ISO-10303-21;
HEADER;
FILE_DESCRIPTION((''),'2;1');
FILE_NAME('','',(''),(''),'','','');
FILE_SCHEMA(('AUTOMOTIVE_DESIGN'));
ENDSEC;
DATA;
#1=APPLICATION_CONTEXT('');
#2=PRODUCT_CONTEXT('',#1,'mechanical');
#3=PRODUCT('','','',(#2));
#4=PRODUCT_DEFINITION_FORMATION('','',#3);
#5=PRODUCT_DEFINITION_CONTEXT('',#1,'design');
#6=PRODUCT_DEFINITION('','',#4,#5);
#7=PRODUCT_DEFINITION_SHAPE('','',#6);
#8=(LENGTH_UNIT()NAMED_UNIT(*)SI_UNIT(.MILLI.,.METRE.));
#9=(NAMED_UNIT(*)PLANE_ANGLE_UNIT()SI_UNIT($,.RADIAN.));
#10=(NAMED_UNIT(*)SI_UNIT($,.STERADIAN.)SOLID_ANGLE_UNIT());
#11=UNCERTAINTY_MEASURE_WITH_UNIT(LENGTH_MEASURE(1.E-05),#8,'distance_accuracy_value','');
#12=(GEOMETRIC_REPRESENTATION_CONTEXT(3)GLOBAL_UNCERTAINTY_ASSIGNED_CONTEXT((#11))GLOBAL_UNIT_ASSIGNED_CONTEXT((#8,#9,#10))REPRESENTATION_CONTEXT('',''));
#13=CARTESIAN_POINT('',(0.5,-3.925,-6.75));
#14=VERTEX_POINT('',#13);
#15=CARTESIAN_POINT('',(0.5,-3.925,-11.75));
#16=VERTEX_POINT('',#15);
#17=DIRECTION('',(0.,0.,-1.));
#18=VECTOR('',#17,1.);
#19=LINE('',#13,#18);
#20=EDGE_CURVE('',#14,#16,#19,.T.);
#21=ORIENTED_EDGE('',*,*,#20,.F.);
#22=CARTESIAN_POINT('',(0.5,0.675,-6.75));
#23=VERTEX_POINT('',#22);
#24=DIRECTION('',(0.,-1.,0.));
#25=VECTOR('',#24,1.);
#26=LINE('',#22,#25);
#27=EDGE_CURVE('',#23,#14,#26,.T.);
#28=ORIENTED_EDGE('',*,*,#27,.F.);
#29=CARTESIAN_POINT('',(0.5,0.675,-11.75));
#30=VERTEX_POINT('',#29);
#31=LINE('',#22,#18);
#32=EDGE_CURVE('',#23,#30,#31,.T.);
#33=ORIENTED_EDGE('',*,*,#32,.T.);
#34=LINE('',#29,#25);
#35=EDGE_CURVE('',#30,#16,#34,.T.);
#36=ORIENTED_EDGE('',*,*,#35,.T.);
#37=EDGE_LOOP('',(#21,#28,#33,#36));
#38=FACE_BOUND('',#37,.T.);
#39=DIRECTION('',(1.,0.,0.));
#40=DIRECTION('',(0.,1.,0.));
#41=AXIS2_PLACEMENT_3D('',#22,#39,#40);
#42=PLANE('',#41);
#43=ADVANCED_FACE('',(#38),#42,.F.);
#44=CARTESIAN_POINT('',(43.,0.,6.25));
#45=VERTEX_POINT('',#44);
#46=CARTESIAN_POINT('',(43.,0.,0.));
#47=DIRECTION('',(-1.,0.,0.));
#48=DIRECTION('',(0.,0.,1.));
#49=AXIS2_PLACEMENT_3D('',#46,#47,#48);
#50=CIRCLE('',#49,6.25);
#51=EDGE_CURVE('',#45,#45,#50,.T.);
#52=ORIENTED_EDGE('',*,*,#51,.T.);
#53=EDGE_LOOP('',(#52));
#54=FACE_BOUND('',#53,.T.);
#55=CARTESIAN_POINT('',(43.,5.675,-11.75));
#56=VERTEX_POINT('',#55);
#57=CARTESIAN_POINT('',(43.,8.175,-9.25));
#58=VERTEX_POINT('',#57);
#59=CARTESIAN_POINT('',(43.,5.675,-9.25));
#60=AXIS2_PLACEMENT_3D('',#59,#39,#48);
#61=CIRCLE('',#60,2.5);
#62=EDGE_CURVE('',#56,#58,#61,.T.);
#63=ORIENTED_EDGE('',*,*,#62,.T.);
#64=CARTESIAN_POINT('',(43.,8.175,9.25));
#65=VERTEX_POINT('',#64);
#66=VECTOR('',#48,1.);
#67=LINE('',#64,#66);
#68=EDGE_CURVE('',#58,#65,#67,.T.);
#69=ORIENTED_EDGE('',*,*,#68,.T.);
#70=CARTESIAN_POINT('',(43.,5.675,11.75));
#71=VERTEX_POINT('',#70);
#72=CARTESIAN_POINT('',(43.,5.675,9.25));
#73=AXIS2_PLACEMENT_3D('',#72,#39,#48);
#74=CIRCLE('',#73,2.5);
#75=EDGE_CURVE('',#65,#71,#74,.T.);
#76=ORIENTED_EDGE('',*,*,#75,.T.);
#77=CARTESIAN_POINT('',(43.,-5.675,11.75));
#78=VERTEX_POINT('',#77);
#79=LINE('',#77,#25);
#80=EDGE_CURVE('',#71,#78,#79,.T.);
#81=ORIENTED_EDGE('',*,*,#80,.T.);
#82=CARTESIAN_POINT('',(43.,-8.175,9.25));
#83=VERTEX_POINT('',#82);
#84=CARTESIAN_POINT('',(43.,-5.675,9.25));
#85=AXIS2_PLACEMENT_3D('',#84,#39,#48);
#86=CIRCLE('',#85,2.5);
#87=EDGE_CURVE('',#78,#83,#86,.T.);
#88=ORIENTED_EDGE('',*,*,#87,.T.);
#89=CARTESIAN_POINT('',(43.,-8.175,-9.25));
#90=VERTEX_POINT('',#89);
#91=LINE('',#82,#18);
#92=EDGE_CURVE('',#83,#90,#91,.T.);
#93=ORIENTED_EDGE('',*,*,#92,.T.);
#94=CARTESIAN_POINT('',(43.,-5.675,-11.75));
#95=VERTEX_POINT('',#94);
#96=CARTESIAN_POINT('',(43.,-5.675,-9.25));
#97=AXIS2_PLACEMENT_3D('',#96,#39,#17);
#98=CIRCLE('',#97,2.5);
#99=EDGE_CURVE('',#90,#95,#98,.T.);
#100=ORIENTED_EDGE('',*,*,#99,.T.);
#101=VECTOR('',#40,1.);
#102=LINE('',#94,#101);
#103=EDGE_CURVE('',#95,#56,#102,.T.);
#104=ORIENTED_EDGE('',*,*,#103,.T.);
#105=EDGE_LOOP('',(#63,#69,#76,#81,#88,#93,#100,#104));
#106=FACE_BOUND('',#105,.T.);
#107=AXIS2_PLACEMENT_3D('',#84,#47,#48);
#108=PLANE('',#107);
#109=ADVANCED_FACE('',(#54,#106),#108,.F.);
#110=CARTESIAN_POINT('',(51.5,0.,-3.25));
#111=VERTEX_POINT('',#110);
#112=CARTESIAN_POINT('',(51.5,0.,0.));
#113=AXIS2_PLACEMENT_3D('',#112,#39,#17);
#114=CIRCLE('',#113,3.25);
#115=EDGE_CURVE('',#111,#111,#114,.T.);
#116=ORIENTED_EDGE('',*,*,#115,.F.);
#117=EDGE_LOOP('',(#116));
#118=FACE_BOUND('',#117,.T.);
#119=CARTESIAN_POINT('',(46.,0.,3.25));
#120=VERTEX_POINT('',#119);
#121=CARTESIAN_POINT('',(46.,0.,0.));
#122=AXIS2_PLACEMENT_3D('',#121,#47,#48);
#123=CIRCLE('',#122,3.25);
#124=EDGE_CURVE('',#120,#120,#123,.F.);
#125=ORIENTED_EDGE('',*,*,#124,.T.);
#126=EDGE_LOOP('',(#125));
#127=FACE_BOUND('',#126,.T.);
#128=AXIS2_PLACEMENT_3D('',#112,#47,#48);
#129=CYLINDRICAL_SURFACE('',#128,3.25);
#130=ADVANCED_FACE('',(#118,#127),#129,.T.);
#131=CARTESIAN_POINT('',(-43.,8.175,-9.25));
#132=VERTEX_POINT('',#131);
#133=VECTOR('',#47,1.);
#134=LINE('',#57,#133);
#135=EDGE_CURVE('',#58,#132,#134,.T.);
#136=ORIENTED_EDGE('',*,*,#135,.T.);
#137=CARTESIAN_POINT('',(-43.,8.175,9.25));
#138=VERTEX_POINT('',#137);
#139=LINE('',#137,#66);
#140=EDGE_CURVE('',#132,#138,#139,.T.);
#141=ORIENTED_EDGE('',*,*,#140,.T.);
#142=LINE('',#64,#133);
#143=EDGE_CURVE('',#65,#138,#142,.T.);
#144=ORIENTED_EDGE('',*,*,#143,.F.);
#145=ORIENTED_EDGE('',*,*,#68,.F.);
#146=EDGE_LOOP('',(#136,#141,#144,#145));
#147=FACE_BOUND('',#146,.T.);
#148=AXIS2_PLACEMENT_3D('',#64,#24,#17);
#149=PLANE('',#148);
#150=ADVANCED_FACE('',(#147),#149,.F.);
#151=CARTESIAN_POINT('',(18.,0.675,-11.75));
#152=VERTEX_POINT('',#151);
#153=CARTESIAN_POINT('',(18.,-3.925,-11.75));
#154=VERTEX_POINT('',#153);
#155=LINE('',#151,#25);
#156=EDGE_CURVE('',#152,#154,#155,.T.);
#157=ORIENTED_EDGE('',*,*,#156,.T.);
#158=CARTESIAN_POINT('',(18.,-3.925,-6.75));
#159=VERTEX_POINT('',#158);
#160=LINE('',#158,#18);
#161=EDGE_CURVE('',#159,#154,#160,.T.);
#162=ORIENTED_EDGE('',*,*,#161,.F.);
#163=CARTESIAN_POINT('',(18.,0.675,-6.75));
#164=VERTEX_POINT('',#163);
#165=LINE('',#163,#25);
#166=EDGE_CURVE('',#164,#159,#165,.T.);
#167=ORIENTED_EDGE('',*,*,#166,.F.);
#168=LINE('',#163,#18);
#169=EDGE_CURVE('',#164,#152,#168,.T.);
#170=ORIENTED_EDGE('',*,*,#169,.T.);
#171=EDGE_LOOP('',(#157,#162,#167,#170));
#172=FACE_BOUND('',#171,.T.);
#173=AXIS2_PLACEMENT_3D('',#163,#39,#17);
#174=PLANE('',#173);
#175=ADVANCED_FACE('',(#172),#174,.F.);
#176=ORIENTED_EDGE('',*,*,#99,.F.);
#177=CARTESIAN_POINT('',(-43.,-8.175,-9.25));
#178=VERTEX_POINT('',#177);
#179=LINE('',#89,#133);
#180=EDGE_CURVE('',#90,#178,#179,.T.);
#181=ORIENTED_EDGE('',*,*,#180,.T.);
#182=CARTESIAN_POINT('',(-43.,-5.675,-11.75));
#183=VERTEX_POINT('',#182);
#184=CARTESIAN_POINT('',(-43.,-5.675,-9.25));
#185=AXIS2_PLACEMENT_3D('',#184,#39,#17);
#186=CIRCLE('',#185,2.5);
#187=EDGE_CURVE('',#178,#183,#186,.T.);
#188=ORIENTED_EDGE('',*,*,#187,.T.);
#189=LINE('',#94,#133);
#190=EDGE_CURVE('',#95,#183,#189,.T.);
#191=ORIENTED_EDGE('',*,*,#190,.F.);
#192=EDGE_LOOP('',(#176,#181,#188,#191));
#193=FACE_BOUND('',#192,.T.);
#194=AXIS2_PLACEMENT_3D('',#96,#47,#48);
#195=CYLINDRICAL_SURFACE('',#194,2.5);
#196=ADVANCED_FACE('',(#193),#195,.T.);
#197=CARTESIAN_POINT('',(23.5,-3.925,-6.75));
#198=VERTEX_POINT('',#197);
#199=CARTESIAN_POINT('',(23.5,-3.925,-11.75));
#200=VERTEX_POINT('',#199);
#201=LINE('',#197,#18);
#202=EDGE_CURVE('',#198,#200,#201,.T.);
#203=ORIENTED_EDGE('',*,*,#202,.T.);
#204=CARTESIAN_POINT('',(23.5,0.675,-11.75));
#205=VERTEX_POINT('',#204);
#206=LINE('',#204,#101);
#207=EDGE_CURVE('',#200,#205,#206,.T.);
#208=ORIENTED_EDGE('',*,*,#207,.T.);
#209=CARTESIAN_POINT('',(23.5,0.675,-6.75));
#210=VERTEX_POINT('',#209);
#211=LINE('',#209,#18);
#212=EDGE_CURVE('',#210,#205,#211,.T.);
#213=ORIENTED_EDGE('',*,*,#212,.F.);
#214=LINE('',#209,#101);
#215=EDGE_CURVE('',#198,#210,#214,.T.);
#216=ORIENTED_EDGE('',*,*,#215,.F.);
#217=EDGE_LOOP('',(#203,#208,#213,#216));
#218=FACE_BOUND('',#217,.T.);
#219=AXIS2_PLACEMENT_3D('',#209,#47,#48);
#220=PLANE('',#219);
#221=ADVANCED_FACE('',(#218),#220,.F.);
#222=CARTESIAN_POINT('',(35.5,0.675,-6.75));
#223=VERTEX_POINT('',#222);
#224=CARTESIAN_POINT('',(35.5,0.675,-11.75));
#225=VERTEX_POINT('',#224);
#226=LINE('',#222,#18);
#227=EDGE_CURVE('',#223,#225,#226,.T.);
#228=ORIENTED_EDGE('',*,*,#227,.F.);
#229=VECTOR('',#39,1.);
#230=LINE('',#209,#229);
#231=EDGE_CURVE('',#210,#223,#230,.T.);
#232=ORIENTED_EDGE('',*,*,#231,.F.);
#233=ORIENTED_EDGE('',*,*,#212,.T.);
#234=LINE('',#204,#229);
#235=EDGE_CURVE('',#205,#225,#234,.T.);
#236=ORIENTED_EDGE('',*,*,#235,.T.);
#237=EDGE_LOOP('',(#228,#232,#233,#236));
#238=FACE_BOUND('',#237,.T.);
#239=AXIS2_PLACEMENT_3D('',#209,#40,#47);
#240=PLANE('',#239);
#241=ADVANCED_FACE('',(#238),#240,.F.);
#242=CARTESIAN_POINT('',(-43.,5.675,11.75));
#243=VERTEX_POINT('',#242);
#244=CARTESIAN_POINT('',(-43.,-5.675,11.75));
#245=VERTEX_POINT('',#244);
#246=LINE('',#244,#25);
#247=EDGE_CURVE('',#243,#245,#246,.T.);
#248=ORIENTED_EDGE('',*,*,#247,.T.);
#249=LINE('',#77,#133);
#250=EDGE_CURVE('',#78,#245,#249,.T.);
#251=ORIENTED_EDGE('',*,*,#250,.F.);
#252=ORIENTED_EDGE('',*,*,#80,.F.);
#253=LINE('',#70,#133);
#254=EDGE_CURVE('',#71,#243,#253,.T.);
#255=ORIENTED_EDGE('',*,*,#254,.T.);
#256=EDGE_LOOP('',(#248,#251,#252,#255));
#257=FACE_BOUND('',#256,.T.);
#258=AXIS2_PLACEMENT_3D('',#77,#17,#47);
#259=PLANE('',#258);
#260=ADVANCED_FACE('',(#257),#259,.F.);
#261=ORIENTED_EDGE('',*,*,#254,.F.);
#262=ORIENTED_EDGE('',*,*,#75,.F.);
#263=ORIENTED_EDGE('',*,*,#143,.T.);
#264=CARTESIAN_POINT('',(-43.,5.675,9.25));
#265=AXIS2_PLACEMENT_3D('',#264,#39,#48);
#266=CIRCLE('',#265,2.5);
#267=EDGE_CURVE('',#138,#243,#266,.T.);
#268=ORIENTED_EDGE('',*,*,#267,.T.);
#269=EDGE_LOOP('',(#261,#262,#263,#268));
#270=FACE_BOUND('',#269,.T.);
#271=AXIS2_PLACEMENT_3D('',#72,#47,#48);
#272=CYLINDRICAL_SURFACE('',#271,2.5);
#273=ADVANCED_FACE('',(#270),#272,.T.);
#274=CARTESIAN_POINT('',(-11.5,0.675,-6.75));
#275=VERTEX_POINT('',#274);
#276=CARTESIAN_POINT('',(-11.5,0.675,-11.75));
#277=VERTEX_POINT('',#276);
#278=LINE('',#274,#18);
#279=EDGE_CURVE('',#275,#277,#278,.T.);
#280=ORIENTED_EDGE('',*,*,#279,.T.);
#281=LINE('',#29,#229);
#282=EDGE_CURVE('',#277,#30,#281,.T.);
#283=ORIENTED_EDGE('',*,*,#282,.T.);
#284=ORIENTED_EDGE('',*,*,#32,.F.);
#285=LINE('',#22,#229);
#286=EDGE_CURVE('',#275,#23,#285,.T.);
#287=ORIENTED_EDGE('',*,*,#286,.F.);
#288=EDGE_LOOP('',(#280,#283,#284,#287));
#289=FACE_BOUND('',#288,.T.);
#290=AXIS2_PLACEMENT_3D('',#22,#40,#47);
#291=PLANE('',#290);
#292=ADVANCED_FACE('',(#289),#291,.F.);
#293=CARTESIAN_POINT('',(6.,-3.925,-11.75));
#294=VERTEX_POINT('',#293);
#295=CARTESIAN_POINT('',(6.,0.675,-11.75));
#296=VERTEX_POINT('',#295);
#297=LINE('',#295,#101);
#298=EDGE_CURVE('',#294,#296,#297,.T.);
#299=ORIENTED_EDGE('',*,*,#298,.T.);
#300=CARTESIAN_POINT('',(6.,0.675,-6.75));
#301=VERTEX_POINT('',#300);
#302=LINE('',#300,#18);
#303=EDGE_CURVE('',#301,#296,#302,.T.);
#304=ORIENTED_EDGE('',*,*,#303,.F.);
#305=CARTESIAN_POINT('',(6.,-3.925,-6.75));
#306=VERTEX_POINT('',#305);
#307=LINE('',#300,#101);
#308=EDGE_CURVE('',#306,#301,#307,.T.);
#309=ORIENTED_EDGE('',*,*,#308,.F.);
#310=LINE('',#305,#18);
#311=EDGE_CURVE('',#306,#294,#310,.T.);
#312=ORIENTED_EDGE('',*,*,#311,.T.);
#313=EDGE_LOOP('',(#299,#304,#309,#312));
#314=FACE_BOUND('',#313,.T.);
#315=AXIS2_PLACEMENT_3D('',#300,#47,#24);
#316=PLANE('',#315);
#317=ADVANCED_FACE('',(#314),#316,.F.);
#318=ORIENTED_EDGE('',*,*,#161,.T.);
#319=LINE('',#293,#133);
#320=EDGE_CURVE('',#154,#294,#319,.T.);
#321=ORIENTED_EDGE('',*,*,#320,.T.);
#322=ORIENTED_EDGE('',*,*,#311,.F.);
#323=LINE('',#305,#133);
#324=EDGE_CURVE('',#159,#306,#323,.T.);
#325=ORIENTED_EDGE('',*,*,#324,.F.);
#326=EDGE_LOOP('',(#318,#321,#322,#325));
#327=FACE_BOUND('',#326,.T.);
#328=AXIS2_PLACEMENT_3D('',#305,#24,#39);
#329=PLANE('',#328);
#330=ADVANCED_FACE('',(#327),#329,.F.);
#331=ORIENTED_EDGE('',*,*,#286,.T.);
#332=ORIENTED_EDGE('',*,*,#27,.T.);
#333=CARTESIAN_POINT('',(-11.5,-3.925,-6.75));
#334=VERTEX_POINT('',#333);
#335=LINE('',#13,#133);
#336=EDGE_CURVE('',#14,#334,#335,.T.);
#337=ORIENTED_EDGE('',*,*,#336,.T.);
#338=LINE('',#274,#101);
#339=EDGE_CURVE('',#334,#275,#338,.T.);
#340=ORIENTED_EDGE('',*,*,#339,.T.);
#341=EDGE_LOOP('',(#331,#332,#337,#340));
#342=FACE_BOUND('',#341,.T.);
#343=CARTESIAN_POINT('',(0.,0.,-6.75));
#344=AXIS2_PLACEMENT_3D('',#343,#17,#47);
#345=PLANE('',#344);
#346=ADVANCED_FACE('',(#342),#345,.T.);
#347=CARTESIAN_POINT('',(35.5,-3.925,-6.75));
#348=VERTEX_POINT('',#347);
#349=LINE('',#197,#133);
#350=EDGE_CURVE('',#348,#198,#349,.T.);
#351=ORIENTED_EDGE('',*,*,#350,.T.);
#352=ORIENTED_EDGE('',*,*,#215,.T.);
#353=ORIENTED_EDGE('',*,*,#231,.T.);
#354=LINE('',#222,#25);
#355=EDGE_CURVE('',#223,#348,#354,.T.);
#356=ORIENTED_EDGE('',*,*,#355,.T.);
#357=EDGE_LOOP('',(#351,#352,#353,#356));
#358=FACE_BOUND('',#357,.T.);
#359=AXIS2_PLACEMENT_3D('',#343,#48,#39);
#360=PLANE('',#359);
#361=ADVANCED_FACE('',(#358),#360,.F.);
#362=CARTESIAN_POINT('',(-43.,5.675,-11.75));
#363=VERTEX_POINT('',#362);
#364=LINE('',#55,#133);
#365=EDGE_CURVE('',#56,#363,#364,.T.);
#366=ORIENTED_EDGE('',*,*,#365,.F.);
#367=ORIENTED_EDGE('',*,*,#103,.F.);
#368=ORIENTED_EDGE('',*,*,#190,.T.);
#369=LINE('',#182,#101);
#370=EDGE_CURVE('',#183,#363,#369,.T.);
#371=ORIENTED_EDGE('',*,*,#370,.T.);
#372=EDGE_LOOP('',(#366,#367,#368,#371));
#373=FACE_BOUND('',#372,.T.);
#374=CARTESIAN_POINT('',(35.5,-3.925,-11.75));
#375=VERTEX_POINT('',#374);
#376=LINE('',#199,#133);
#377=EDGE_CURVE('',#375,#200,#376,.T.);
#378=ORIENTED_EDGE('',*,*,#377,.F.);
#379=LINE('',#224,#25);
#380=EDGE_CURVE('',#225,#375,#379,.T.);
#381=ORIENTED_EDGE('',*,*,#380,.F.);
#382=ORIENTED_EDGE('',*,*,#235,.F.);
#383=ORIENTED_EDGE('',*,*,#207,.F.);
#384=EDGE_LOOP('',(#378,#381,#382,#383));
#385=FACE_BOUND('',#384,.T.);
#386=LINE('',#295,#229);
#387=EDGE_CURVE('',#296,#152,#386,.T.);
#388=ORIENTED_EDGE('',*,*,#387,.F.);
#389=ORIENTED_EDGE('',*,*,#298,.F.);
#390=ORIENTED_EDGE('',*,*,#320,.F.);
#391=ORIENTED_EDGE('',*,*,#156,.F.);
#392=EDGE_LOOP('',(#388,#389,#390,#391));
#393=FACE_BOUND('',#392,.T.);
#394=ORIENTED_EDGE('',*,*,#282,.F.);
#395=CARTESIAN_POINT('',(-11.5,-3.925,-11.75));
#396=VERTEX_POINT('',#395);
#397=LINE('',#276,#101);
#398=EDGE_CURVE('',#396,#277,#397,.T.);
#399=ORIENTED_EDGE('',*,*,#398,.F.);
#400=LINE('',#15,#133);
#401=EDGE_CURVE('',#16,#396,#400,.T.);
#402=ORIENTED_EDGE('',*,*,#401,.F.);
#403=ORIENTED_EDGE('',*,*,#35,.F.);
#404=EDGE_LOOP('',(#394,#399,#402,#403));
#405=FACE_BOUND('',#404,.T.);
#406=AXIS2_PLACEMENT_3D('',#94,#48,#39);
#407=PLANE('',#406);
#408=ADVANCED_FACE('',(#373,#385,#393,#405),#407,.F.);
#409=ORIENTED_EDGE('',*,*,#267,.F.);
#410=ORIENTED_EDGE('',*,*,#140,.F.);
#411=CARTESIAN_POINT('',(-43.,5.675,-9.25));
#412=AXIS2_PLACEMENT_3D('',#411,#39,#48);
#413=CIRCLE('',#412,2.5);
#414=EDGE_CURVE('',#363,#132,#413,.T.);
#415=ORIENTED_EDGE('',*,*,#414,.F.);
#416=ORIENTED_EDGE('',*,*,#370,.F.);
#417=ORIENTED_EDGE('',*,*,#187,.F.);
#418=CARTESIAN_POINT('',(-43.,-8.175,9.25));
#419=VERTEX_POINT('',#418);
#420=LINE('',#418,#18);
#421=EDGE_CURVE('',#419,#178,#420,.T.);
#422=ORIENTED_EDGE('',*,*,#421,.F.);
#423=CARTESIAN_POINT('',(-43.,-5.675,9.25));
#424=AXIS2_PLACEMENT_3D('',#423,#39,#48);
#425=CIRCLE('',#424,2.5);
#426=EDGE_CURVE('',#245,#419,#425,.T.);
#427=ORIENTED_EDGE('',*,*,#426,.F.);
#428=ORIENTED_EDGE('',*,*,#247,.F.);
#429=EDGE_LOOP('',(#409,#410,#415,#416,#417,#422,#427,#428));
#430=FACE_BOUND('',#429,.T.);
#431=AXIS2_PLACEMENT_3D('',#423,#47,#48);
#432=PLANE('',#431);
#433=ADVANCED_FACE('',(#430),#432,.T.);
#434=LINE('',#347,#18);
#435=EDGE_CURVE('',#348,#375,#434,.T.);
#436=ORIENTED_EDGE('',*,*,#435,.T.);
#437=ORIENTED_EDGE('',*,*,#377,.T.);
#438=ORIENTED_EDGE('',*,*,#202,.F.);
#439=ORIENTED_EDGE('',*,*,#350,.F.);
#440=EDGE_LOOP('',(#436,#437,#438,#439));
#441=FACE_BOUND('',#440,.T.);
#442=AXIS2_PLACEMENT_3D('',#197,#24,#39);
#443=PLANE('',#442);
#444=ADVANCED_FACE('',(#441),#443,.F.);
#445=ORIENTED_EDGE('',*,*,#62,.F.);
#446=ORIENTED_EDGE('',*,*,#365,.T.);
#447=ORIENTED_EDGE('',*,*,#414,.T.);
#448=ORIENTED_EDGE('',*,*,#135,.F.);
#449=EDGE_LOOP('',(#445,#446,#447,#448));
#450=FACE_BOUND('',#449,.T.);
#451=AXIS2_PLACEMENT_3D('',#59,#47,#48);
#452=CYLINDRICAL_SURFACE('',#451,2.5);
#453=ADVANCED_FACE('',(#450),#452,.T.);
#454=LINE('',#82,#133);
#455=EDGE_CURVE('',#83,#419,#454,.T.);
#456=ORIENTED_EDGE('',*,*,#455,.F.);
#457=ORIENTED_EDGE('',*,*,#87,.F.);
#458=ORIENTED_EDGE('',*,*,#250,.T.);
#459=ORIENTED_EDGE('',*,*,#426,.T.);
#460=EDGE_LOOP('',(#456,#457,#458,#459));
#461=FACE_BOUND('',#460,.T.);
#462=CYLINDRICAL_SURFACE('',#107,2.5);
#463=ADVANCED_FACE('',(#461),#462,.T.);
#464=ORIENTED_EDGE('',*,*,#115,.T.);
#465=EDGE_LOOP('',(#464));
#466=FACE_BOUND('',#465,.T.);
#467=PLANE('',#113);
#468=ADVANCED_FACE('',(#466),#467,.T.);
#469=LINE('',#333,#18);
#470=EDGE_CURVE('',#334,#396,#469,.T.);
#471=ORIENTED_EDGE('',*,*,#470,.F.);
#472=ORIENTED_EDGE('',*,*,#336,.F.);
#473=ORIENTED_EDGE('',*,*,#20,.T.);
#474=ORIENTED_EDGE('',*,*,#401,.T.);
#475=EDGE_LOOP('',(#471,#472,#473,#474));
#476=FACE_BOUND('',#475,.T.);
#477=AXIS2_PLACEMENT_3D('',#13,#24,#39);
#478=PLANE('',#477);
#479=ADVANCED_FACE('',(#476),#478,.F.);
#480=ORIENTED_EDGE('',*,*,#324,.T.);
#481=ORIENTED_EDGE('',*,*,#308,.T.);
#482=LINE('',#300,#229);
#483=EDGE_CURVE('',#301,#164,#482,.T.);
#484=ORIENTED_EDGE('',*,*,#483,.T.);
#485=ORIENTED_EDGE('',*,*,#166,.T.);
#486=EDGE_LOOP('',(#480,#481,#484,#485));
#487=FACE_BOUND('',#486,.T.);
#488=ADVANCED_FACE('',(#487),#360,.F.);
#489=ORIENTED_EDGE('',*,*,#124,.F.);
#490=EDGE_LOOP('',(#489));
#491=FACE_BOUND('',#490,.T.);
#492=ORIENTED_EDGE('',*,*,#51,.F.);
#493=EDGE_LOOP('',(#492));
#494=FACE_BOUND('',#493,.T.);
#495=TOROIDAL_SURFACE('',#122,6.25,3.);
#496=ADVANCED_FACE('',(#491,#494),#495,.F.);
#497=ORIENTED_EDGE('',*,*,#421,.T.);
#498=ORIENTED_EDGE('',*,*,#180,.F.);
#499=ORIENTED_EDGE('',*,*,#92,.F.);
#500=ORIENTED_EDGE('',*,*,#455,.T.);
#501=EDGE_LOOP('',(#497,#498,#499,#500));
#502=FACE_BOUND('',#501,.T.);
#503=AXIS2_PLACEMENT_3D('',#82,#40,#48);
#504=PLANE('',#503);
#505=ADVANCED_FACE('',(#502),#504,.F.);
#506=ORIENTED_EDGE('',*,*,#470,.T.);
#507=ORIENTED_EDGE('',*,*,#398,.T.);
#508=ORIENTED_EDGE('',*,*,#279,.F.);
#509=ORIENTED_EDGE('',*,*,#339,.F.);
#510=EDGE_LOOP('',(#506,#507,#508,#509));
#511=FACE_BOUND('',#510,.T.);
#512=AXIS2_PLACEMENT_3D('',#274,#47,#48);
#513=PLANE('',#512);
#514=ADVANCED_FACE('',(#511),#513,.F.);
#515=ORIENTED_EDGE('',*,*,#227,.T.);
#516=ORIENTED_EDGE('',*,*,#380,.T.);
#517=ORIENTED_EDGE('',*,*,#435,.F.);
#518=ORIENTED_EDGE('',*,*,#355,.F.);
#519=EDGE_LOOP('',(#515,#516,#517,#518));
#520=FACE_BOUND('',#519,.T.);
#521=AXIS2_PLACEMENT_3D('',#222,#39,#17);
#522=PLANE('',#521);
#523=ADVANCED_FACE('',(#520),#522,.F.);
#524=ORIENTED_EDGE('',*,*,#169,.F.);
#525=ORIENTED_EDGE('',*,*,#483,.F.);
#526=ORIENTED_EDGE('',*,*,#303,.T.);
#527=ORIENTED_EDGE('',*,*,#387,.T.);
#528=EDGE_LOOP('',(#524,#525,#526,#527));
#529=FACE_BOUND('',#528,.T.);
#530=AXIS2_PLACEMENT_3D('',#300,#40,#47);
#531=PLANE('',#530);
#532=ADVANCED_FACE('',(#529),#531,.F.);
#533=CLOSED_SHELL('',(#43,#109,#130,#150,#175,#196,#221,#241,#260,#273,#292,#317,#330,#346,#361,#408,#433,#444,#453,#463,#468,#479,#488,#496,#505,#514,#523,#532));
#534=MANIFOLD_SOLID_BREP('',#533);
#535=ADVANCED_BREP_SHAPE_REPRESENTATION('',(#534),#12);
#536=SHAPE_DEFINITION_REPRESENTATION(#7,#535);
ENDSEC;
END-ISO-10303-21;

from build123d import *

# Parameters (mm, degrees)
BOSS_EXTRUDE1_DEPTH = 43
SKETCH2_R           = 3.25
BOSS_EXTRUDE2_DEPTH = 8.5
FILLET1_R           = 3
SKETCH3_W           = 12
SKETCH3_H           = 4.6
CUT_EXTRUDE1_DEPTH  = 5


with BuildPart() as part:
    # Sketch1 → Boss-Extrude1 (new, symmetric)
    with BuildSketch(Plane(origin=(0, 0, 0), x_dir=(0, 0, -1), z_dir=(1, 0, 0))):
        with BuildLine():
            Line((-9.25, -8.175), (9.25, -8.175))
            ThreePointArc((9.25, -8.175), (11.017766953, -7.442766953), (11.75, -5.675))
            Line((11.75, -5.675), (11.75, 5.675))
            ThreePointArc((11.75, 5.675), (11.017766953, 7.442766953), (9.25, 8.175))
            Line((9.25, 8.175), (-9.25, 8.175))
            ThreePointArc((-9.25, 8.175), (-11.017766953, 7.442766953), (-11.75, 5.675))
            Line((-11.75, 5.675), (-11.75, -5.675))
            ThreePointArc((-11.75, -5.675), (-11.017766953, -7.442766953), (-9.25, -8.175))
        make_face()
    extrude(amount=BOSS_EXTRUDE1_DEPTH, both=True)

    # Sketch2 → Boss-Extrude2 (add)
    with BuildSketch(Plane(origin=(43, 0, 0), x_dir=(0, 0, -1), z_dir=(1, 0, 0))):
        with Locations(Location((0, 0, 0), (0, 0, 180))):
            Circle(SKETCH2_R)
    extrude(amount=BOSS_EXTRUDE2_DEPTH)

    # Fillet1
    fillet1_edges = [part.edges().sort_by_distance(p)[0] for p in [
        (43, 0, -3.25),
    ]]
    fillet(fillet1_edges, radius=FILLET1_R)

    # Sketch3 → Cut-Extrude1 (cut)
    with BuildSketch(Plane(origin=(0, 0, -11.75), x_dir=(-1, 0, 0), z_dir=(0, 0, -1))):
        with Locations((5.5, -1.625)):
            Rectangle(SKETCH3_W, SKETCH3_H)
        with Locations((-12, -1.625)):
            Rectangle(SKETCH3_W, SKETCH3_H)
        with Locations((-29.5, -1.625)):
            Rectangle(SKETCH3_W, SKETCH3_H)
    extrude(amount=-CUT_EXTRUDE1_DEPTH, mode=Mode.SUBTRACT)


solid = part.part
